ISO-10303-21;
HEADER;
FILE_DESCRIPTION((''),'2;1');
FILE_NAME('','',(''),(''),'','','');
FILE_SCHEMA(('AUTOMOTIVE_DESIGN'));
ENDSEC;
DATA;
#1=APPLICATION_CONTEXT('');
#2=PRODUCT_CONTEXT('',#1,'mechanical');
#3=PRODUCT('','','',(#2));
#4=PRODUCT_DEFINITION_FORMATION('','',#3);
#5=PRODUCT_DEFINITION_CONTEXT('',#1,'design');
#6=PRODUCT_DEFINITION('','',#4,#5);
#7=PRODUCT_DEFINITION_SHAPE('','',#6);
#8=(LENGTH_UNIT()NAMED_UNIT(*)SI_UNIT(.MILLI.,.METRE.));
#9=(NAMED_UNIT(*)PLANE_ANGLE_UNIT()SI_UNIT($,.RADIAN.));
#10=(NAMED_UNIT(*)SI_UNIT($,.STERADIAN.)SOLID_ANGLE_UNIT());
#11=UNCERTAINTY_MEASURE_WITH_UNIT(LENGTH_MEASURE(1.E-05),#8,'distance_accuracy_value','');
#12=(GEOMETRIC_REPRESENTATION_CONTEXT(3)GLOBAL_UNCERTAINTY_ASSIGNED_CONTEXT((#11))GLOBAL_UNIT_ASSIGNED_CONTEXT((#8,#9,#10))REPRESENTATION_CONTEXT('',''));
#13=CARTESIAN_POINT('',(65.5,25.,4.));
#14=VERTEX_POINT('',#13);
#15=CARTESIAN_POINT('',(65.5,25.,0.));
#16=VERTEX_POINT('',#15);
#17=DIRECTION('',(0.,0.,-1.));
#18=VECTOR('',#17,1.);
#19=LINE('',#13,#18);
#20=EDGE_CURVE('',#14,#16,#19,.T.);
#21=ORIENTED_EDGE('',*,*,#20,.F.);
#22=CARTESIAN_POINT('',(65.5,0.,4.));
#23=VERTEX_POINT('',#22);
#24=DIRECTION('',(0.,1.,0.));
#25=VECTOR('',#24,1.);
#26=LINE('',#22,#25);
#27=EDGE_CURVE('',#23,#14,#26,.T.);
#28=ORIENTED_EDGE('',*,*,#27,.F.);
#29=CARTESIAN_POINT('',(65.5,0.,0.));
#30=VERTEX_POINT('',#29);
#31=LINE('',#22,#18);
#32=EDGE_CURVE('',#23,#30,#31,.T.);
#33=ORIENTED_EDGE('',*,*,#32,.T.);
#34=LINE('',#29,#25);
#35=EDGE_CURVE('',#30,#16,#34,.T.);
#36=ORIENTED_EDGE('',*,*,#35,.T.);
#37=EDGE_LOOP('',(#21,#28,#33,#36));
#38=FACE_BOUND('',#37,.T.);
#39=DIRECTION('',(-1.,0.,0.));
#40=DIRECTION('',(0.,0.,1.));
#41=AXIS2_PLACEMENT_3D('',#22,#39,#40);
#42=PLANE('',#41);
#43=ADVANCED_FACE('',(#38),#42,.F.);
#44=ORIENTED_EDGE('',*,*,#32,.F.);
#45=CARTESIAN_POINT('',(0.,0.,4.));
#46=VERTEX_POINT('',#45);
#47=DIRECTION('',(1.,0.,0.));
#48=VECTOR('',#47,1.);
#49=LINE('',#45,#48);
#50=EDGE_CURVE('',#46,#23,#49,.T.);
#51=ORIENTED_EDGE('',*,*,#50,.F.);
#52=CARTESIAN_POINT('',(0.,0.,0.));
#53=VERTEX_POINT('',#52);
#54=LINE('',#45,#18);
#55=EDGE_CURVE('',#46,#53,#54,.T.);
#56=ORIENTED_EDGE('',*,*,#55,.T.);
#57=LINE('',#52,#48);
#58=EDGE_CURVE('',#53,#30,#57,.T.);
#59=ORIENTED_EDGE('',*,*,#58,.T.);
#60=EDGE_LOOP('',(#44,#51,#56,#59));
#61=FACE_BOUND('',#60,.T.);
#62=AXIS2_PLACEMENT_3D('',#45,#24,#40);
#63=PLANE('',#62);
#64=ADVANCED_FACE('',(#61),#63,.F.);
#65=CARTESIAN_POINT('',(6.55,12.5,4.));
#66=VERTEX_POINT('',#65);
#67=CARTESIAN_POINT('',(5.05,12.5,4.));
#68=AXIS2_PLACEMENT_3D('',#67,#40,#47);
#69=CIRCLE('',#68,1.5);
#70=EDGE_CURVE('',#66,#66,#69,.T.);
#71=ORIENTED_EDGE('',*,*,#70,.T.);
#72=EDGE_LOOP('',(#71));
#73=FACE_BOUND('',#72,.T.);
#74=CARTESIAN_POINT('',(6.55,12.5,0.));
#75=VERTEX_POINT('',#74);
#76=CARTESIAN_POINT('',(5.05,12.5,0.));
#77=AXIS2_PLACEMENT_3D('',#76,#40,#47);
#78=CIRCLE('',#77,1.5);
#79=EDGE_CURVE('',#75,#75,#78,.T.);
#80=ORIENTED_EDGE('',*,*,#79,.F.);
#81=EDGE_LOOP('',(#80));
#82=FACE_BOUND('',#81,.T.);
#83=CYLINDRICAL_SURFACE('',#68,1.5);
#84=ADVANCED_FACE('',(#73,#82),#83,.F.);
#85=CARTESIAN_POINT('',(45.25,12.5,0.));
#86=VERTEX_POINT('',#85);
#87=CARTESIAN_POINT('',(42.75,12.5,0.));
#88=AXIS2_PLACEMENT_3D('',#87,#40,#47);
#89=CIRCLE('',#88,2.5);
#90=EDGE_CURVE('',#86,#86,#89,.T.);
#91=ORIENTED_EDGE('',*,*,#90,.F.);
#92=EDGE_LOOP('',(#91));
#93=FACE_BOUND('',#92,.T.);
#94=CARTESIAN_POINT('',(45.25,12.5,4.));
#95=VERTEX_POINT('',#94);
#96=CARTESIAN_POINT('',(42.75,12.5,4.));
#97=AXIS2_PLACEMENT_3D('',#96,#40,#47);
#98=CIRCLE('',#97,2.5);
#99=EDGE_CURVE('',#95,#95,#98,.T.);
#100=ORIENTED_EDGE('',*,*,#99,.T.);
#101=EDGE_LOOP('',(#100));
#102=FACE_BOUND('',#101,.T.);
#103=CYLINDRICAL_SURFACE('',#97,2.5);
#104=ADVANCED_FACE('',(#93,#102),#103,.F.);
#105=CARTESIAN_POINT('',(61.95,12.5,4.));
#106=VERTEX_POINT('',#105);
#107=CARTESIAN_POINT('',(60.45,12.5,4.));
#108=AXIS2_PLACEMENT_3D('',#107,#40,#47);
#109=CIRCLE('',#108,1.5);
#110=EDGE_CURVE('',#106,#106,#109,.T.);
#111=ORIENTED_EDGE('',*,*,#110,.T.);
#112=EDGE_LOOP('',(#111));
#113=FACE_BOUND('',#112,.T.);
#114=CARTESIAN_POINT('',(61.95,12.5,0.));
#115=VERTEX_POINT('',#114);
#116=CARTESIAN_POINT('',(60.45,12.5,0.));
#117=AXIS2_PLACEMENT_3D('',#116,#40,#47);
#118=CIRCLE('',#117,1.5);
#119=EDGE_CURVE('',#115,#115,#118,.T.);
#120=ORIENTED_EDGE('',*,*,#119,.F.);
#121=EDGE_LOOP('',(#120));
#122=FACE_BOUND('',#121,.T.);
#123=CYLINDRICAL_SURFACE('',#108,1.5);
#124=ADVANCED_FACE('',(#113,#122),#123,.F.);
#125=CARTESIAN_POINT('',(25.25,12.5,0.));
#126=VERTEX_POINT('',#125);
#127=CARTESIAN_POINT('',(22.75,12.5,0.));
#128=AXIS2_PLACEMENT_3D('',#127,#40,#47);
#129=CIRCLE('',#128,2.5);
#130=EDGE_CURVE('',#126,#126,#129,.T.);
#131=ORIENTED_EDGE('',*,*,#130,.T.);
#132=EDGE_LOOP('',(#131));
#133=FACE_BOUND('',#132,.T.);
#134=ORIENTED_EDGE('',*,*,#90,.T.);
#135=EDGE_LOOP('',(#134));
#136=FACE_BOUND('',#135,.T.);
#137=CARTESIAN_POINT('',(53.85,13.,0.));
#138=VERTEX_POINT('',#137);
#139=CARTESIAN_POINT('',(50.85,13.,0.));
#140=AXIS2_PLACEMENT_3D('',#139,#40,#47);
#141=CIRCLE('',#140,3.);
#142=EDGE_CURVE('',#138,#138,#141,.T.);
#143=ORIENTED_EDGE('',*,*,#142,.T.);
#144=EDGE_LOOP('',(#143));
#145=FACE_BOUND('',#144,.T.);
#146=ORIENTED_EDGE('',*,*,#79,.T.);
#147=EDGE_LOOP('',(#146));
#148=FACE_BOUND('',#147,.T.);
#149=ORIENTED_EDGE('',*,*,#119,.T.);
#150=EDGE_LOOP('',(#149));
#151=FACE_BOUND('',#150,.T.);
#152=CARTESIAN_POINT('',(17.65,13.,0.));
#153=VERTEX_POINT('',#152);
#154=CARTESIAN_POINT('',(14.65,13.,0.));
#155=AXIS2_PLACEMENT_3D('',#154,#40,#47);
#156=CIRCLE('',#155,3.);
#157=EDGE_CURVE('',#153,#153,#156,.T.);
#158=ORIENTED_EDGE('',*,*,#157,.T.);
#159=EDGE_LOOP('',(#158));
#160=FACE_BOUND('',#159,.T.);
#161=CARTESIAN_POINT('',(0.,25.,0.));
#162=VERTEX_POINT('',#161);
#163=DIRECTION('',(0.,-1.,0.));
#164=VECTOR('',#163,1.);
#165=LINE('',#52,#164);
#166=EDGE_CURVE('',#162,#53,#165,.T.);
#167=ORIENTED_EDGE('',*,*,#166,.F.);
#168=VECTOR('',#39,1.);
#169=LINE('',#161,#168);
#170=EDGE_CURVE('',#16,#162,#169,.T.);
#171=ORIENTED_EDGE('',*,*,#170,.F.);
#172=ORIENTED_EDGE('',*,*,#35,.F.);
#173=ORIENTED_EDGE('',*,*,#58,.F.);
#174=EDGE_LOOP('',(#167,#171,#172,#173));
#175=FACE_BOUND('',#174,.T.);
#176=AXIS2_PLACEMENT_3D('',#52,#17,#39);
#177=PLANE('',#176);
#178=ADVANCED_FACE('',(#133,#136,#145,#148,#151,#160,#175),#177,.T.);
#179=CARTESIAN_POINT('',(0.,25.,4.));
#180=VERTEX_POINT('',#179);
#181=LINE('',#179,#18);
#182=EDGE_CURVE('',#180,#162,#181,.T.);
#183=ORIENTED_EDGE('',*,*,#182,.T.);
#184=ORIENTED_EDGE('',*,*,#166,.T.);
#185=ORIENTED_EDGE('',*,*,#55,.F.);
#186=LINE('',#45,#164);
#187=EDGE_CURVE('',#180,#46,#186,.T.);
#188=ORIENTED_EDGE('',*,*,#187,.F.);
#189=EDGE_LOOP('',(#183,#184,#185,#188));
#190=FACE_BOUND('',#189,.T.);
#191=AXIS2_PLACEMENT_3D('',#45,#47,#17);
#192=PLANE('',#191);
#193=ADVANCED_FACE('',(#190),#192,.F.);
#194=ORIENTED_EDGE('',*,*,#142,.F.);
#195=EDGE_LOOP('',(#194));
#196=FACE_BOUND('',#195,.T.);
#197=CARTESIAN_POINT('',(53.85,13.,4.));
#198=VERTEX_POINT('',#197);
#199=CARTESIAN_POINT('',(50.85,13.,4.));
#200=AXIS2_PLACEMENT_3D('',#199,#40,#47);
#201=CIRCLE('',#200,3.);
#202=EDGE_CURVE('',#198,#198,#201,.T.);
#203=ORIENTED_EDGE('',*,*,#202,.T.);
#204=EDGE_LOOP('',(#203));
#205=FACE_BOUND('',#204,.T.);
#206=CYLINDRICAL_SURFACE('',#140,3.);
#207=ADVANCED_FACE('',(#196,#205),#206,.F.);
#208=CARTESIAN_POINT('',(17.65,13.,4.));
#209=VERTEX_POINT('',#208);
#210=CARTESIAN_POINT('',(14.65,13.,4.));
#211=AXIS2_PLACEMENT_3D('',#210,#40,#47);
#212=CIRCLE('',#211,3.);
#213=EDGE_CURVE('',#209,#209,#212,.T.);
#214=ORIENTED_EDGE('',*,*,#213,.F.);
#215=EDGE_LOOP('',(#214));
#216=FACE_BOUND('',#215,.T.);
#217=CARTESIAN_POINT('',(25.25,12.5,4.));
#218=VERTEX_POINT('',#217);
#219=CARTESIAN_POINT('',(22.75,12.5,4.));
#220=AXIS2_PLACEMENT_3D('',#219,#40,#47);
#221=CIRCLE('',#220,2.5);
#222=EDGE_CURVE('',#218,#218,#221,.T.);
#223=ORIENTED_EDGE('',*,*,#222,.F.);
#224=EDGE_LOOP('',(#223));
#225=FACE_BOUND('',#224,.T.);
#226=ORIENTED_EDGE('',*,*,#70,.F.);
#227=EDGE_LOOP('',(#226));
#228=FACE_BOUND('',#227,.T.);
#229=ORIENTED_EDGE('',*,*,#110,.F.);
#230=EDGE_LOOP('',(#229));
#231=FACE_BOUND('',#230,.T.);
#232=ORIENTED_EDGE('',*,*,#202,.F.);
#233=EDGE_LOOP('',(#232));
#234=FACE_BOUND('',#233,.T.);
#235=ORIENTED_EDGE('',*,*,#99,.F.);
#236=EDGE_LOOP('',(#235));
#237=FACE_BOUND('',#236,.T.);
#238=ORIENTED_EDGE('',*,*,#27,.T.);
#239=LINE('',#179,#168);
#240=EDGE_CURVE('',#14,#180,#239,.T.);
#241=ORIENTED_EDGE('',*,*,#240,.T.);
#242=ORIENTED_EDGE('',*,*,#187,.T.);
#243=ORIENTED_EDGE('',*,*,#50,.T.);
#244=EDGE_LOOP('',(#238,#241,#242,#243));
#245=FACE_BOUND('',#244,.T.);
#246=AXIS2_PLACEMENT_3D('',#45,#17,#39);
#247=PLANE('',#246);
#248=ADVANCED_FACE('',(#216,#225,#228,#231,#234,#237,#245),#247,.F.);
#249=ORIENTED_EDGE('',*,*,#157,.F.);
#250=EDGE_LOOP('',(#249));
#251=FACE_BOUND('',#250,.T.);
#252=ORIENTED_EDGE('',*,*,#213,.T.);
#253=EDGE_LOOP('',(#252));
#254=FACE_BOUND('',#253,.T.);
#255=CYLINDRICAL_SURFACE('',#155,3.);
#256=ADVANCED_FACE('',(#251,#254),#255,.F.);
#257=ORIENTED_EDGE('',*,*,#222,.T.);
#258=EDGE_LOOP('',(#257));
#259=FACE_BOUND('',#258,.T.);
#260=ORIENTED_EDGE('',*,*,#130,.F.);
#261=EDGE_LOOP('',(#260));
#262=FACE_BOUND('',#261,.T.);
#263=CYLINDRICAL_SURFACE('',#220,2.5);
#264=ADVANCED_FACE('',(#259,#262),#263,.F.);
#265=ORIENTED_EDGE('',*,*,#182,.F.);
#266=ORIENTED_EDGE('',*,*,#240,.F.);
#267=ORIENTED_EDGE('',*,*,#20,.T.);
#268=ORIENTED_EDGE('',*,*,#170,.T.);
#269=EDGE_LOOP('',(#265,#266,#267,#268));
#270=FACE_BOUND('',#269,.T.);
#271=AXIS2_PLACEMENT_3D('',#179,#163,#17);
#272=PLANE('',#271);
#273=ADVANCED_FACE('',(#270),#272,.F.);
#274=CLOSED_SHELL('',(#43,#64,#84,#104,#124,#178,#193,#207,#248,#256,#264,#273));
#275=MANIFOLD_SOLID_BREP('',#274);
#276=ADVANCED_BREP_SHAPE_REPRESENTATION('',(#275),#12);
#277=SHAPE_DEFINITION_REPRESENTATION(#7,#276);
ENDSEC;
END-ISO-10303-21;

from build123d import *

# Parameters (mm, degrees)
SKETCH1_W             = 65.5
SKETCH1_H             = 25
BOSS_EXTRUDE1_DEPTH   = 4
F_5_0MM_DOWEL_HOLE1_D = 5
SKETCH4_R             = 3
CUT_EXTRUDE1_DEPTH    = 71.222859526
F_3_0MM_DOWEL_HOLE1_D = 3


with BuildPart() as part:
    # Sketch1 → Boss-Extrude1 (new body)
    with BuildSketch(Plane.XY):
        with Locations((32.75, 12.5)):
            Rectangle(SKETCH1_W, SKETCH1_H)
    extrude(amount=BOSS_EXTRUDE1_DEPTH)

    # Ø5.0mm Dowel Hole1 (through all)
    with Locations(Plane.XY.offset(4)):
        with Locations((22.75, 12.5), (42.75, 12.5)):
            Hole(F_5_0MM_DOWEL_HOLE1_D / 2)

    # Sketch4 → Cut-Extrude1 (cut, through all)
    with BuildSketch(Plane.XY.offset(4)):
        with Locations((14.65, 13)):
            Circle(SKETCH4_R)
        with Locations((50.85, 13)):
            Circle(SKETCH4_R)
    extrude(amount=-CUT_EXTRUDE1_DEPTH, mode=Mode.SUBTRACT)

    # Ø3.0mm Dowel Hole1 (through all)
    with Locations(Plane.XY.offset(4)):
        with Locations((5.05, 12.5), (60.45, 12.5)):
            Hole(F_3_0MM_DOWEL_HOLE1_D / 2)


solid = part.part
